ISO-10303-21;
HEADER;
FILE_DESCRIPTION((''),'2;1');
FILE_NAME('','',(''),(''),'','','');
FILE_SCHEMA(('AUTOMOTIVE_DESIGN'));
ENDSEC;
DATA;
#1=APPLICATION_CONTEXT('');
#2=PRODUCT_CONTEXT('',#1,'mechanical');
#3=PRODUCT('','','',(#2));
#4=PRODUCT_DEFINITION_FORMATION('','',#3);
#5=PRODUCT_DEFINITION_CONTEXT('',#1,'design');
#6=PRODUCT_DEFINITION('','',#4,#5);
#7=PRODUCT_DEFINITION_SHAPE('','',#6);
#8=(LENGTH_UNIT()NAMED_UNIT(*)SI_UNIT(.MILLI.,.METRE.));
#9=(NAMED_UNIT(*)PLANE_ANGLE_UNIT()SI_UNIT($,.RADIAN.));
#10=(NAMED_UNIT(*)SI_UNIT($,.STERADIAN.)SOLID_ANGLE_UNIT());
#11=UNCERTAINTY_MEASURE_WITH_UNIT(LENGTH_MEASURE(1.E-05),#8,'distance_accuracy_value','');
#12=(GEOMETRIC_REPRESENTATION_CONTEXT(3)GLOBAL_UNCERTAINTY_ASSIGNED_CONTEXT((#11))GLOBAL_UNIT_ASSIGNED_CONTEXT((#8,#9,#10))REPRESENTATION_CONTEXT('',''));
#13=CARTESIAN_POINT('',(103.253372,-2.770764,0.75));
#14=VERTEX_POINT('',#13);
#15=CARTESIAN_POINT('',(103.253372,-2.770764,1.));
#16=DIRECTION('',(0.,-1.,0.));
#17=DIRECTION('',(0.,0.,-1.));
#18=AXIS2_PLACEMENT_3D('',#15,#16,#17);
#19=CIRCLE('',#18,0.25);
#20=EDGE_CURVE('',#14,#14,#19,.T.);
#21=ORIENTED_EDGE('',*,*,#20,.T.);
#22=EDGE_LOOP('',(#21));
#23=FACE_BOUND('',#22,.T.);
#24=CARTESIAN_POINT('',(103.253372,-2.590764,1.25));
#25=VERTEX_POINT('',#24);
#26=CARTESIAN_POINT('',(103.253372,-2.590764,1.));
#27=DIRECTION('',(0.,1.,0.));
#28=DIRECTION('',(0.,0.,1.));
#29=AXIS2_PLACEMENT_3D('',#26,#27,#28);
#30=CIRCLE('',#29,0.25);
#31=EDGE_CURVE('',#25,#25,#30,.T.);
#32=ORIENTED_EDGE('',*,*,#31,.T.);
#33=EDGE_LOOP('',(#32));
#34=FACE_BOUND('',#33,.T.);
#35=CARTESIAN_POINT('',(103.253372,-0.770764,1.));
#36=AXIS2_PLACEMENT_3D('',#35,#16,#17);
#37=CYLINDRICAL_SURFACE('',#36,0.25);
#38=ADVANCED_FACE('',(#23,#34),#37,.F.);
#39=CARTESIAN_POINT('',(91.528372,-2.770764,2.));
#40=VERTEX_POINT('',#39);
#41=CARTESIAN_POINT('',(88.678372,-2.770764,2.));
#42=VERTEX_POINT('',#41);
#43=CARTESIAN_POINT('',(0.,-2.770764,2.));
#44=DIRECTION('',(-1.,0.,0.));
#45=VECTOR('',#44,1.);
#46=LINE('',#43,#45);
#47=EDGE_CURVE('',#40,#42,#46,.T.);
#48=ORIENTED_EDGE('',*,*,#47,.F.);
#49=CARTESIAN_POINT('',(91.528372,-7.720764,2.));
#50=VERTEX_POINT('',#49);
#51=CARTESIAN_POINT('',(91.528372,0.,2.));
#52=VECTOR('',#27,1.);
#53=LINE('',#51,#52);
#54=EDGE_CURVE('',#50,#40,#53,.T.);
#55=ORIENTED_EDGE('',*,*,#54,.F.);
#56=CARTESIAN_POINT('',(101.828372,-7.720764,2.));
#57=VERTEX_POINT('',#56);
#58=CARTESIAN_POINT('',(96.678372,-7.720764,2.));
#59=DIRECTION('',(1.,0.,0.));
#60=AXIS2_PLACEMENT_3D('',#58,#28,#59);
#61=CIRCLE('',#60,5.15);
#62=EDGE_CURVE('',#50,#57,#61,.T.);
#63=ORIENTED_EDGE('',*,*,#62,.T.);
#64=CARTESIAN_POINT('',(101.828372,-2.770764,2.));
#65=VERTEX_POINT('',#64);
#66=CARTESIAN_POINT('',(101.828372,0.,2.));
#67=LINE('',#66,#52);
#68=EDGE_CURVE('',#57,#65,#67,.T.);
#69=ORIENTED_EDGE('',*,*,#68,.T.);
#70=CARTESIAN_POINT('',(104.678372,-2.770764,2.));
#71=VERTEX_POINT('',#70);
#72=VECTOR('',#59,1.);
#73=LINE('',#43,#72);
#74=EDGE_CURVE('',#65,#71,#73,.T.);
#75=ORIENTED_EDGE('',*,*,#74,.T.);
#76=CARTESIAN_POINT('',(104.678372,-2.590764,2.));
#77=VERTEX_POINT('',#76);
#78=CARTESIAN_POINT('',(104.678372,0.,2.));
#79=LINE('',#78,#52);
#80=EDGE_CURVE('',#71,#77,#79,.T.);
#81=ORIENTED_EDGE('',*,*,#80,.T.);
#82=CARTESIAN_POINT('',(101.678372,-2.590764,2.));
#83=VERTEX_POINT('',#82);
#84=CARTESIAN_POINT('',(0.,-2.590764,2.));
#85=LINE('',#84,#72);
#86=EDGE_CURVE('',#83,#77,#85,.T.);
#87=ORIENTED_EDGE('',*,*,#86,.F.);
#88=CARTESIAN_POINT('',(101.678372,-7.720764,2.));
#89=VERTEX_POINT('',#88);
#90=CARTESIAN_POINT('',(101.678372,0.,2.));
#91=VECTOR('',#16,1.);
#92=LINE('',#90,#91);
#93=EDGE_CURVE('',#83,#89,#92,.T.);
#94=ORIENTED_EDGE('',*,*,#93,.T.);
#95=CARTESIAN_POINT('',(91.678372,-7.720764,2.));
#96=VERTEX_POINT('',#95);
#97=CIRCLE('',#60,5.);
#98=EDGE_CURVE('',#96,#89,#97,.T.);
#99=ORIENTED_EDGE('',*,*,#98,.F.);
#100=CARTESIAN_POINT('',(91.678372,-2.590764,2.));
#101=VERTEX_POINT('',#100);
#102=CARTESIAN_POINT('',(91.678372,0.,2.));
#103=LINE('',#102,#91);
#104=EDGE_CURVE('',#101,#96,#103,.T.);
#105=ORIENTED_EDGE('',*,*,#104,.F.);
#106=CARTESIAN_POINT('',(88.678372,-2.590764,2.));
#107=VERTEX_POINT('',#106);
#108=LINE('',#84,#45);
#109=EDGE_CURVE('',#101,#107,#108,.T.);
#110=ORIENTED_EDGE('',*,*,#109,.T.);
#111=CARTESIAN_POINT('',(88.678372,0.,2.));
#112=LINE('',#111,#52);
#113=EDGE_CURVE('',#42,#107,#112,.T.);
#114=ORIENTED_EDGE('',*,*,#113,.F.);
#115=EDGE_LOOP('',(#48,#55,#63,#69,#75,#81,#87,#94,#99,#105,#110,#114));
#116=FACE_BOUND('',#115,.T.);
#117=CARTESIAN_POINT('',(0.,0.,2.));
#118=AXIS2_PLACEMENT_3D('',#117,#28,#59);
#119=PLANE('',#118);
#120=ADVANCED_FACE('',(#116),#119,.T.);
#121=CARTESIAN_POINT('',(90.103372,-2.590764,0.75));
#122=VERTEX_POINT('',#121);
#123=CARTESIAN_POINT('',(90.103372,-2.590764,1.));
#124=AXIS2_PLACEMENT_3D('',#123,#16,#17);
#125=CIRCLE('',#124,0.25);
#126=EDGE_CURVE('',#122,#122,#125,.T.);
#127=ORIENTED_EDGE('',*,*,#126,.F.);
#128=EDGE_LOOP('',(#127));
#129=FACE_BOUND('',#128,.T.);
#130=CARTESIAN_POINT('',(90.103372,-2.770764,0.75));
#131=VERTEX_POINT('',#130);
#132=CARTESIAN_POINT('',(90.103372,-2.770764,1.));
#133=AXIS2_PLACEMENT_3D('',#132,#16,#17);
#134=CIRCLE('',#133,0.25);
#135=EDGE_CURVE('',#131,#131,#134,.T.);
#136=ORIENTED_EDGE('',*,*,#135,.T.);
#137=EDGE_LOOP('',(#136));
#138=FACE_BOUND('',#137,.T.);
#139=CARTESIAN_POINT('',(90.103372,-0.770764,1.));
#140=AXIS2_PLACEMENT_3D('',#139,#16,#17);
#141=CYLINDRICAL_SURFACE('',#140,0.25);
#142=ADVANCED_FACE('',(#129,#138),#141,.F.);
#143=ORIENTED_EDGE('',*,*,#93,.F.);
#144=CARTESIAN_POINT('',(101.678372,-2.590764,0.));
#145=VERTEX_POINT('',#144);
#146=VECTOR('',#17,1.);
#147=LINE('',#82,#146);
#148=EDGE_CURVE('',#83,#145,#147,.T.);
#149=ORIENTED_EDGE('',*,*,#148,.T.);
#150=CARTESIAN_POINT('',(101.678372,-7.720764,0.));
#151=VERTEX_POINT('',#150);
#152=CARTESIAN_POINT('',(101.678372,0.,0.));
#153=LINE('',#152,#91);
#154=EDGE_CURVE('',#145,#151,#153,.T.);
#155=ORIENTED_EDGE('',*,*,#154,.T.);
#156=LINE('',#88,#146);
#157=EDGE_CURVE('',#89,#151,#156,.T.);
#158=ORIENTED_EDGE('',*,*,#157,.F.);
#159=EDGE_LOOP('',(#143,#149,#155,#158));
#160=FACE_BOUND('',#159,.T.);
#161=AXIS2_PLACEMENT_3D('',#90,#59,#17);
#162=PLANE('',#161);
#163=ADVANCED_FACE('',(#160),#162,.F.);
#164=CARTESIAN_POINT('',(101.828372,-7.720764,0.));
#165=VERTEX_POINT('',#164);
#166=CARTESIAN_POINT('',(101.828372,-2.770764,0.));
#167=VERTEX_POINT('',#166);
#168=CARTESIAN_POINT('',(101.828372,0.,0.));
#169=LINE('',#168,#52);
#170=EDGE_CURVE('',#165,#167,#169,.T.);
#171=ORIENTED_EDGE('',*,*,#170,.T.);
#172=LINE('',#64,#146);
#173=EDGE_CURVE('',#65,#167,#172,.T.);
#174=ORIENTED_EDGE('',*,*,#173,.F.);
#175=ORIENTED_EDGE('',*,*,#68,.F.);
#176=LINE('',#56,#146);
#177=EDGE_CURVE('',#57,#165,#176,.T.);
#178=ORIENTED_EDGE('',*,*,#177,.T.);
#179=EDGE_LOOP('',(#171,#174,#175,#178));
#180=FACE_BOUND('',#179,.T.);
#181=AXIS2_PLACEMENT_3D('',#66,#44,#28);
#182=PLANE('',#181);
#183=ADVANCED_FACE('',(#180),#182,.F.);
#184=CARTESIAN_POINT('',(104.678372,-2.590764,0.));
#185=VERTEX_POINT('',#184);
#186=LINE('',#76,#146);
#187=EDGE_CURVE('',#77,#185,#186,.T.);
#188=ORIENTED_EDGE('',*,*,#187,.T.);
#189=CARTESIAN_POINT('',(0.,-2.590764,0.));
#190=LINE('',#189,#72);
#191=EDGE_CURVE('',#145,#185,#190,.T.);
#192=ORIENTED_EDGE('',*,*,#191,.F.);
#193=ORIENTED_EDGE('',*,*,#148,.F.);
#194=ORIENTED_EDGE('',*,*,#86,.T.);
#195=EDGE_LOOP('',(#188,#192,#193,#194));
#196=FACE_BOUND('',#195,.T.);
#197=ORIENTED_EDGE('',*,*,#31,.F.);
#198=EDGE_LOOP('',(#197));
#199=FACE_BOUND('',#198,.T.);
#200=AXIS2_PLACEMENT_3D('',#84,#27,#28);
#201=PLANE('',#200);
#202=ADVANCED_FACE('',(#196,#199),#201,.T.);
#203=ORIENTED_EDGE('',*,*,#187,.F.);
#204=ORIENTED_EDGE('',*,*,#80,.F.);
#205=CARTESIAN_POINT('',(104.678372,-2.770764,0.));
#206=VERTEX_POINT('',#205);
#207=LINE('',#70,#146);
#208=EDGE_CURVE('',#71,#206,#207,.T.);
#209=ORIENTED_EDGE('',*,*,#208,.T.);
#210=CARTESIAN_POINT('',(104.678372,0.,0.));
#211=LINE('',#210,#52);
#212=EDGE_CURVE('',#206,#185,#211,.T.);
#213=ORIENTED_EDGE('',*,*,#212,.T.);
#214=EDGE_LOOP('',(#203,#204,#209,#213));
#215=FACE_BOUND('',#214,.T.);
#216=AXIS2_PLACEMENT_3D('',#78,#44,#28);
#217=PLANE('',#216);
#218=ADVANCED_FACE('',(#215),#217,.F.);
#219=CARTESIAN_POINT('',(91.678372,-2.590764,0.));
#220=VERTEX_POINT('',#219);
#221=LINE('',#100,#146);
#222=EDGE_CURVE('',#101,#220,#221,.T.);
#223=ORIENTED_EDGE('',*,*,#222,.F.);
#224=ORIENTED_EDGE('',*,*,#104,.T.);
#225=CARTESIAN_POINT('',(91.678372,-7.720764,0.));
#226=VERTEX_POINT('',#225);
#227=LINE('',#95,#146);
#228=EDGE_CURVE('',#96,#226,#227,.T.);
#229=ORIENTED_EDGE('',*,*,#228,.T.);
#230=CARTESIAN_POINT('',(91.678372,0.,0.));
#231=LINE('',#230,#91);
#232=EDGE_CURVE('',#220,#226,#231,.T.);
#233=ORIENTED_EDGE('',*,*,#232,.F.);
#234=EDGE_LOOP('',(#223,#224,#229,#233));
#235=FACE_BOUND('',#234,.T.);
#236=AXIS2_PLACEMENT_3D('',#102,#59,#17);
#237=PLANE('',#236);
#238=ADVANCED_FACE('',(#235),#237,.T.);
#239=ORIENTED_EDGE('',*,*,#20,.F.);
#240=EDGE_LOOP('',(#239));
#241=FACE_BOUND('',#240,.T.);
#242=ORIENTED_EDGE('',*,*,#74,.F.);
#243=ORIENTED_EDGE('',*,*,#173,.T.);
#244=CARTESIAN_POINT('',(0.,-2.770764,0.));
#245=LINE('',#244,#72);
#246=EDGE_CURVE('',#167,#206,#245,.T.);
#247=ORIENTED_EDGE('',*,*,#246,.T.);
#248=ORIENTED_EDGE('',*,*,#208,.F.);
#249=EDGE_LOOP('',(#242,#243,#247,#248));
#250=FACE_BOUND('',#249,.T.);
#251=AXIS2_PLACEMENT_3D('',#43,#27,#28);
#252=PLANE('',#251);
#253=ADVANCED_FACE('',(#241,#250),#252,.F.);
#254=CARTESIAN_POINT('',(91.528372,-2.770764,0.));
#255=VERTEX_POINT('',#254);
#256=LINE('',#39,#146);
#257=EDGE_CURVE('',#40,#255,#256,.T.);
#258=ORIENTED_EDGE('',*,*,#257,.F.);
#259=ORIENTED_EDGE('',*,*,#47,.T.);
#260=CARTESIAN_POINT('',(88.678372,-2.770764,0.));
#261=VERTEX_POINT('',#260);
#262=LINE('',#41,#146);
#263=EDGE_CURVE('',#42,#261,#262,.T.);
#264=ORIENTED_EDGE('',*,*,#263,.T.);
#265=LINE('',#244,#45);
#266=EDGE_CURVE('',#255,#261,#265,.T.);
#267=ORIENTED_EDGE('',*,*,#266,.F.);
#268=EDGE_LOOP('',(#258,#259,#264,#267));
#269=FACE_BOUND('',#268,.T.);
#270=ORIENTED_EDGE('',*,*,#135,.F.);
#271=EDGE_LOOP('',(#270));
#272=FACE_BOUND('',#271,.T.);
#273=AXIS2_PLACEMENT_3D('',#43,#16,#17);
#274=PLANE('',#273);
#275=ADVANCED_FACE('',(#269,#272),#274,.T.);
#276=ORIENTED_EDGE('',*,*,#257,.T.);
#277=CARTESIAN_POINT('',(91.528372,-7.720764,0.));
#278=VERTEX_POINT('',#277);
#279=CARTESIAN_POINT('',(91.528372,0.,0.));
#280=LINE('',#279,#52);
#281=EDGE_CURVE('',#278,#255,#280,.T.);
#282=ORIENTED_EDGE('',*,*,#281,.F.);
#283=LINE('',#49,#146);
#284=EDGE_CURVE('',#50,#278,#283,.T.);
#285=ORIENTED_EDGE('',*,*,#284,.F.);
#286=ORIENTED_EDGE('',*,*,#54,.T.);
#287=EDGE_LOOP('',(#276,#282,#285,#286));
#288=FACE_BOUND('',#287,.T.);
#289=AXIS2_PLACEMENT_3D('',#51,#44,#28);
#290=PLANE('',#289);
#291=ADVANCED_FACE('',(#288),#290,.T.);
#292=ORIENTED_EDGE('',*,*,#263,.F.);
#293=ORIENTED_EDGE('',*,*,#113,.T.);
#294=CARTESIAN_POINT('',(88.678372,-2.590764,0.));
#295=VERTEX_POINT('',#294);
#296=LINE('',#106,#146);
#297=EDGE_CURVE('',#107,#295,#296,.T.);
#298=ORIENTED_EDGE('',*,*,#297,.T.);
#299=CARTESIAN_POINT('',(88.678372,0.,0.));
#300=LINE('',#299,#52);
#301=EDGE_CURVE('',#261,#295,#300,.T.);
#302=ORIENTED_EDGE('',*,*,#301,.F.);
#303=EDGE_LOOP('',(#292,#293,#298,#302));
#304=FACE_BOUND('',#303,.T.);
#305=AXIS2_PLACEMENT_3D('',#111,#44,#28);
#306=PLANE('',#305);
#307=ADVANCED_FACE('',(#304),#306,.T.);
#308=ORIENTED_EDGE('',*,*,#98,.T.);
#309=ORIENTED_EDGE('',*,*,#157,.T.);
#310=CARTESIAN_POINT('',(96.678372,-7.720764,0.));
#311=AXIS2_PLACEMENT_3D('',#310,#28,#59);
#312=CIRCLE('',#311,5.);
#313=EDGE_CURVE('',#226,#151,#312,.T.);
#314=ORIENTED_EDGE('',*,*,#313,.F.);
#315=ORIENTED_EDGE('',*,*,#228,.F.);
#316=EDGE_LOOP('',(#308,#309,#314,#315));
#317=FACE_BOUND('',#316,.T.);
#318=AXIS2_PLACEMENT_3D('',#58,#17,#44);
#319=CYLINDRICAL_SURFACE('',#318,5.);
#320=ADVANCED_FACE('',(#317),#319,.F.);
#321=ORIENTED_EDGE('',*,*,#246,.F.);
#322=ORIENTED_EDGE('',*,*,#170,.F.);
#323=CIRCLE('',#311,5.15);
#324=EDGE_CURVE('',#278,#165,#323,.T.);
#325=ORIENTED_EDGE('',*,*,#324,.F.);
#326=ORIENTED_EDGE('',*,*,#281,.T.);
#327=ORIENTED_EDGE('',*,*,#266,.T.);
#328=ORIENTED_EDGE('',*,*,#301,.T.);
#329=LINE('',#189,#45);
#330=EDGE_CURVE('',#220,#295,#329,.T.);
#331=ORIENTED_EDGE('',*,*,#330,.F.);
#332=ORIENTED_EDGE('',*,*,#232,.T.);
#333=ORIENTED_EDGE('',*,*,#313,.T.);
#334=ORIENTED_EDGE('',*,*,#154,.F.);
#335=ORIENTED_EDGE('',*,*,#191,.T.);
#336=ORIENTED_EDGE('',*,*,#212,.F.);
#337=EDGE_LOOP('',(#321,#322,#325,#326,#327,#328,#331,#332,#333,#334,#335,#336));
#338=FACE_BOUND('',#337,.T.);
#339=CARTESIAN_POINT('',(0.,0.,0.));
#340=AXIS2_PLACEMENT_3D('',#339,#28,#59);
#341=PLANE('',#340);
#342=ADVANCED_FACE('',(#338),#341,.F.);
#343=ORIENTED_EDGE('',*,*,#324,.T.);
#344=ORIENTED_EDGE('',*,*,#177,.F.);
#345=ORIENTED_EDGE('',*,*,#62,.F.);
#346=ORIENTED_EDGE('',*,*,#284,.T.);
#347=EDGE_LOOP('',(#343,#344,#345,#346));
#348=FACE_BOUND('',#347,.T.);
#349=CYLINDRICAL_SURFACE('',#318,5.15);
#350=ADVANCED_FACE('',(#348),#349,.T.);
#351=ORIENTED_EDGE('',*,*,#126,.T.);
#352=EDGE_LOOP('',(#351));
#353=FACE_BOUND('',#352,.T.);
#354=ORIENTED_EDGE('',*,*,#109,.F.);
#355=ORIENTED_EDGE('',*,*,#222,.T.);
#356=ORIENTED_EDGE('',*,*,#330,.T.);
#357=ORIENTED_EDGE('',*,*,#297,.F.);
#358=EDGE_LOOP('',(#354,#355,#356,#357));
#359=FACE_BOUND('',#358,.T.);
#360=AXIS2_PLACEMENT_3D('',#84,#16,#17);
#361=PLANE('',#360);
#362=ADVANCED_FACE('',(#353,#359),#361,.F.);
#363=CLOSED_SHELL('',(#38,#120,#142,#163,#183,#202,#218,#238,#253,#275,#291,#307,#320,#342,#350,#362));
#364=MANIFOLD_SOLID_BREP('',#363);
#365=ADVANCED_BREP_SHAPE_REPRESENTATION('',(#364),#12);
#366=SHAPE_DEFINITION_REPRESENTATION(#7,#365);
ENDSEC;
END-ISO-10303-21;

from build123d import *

# Parameters (mm, degrees)
RESSALTO_EXTRUS_O1_DEPTH = 2
ESBO_O2_R                = 0.25
CORTE_EXTRUS_O2_DEPTH    = 2


with BuildPart() as part:
    # Esboço1 → Ressalto-extrusão1 (new body)
    with BuildSketch(Plane.XY):
        with BuildLine():
            Line((104.678372413, -2.590763748), (101.678372413, -2.590763748))
            Line((101.678372413, -2.590763748), (101.678372413, -7.720763748))
            ThreePointArc((101.678372413, -7.720763748), (96.678372413, -12.720763748), (91.678372413, -7.720763748))
            Line((91.678372413, -7.720763748), (91.678372413, -2.590763748))
            Line((91.678372413, -2.590763748), (88.678372413, -2.590763748))
            Line((88.678372413, -2.590763748), (88.678372413, -2.770763748))
            Line((88.678372413, -2.770763748), (91.528372413, -2.770763748))
            Line((91.528372413, -2.770763748), (91.528372413, -7.720763748))
            ThreePointArc((91.528372413, -7.720763748), (96.678372413, -12.870763748), (101.828372413, -7.720763748))
            Line((101.828372413, -7.720763748), (101.828372413, -2.770763748))
            Line((101.828372413, -2.770763748), (104.678372413, -2.770763748))
            Line((104.678372413, -2.770763748), (104.678372413, -2.590763748))
        make_face()
    extrude(amount=RESSALTO_EXTRUS_O1_DEPTH)

    # Esboço2 → Corte-extrusão2 (cut)
    with BuildSketch(Plane.XZ.offset(2.770763748)):
        with Locations(Location((90.103372413, 1, 0), (0, 0, 270))):
            Circle(ESBO_O2_R)
        with Locations(Location((103.253372413, 1, 0), (0, 0, 270))):
            Circle(ESBO_O2_R)
    extrude(amount=-CORTE_EXTRUS_O2_DEPTH, mode=Mode.SUBTRACT)


solid = part.part
